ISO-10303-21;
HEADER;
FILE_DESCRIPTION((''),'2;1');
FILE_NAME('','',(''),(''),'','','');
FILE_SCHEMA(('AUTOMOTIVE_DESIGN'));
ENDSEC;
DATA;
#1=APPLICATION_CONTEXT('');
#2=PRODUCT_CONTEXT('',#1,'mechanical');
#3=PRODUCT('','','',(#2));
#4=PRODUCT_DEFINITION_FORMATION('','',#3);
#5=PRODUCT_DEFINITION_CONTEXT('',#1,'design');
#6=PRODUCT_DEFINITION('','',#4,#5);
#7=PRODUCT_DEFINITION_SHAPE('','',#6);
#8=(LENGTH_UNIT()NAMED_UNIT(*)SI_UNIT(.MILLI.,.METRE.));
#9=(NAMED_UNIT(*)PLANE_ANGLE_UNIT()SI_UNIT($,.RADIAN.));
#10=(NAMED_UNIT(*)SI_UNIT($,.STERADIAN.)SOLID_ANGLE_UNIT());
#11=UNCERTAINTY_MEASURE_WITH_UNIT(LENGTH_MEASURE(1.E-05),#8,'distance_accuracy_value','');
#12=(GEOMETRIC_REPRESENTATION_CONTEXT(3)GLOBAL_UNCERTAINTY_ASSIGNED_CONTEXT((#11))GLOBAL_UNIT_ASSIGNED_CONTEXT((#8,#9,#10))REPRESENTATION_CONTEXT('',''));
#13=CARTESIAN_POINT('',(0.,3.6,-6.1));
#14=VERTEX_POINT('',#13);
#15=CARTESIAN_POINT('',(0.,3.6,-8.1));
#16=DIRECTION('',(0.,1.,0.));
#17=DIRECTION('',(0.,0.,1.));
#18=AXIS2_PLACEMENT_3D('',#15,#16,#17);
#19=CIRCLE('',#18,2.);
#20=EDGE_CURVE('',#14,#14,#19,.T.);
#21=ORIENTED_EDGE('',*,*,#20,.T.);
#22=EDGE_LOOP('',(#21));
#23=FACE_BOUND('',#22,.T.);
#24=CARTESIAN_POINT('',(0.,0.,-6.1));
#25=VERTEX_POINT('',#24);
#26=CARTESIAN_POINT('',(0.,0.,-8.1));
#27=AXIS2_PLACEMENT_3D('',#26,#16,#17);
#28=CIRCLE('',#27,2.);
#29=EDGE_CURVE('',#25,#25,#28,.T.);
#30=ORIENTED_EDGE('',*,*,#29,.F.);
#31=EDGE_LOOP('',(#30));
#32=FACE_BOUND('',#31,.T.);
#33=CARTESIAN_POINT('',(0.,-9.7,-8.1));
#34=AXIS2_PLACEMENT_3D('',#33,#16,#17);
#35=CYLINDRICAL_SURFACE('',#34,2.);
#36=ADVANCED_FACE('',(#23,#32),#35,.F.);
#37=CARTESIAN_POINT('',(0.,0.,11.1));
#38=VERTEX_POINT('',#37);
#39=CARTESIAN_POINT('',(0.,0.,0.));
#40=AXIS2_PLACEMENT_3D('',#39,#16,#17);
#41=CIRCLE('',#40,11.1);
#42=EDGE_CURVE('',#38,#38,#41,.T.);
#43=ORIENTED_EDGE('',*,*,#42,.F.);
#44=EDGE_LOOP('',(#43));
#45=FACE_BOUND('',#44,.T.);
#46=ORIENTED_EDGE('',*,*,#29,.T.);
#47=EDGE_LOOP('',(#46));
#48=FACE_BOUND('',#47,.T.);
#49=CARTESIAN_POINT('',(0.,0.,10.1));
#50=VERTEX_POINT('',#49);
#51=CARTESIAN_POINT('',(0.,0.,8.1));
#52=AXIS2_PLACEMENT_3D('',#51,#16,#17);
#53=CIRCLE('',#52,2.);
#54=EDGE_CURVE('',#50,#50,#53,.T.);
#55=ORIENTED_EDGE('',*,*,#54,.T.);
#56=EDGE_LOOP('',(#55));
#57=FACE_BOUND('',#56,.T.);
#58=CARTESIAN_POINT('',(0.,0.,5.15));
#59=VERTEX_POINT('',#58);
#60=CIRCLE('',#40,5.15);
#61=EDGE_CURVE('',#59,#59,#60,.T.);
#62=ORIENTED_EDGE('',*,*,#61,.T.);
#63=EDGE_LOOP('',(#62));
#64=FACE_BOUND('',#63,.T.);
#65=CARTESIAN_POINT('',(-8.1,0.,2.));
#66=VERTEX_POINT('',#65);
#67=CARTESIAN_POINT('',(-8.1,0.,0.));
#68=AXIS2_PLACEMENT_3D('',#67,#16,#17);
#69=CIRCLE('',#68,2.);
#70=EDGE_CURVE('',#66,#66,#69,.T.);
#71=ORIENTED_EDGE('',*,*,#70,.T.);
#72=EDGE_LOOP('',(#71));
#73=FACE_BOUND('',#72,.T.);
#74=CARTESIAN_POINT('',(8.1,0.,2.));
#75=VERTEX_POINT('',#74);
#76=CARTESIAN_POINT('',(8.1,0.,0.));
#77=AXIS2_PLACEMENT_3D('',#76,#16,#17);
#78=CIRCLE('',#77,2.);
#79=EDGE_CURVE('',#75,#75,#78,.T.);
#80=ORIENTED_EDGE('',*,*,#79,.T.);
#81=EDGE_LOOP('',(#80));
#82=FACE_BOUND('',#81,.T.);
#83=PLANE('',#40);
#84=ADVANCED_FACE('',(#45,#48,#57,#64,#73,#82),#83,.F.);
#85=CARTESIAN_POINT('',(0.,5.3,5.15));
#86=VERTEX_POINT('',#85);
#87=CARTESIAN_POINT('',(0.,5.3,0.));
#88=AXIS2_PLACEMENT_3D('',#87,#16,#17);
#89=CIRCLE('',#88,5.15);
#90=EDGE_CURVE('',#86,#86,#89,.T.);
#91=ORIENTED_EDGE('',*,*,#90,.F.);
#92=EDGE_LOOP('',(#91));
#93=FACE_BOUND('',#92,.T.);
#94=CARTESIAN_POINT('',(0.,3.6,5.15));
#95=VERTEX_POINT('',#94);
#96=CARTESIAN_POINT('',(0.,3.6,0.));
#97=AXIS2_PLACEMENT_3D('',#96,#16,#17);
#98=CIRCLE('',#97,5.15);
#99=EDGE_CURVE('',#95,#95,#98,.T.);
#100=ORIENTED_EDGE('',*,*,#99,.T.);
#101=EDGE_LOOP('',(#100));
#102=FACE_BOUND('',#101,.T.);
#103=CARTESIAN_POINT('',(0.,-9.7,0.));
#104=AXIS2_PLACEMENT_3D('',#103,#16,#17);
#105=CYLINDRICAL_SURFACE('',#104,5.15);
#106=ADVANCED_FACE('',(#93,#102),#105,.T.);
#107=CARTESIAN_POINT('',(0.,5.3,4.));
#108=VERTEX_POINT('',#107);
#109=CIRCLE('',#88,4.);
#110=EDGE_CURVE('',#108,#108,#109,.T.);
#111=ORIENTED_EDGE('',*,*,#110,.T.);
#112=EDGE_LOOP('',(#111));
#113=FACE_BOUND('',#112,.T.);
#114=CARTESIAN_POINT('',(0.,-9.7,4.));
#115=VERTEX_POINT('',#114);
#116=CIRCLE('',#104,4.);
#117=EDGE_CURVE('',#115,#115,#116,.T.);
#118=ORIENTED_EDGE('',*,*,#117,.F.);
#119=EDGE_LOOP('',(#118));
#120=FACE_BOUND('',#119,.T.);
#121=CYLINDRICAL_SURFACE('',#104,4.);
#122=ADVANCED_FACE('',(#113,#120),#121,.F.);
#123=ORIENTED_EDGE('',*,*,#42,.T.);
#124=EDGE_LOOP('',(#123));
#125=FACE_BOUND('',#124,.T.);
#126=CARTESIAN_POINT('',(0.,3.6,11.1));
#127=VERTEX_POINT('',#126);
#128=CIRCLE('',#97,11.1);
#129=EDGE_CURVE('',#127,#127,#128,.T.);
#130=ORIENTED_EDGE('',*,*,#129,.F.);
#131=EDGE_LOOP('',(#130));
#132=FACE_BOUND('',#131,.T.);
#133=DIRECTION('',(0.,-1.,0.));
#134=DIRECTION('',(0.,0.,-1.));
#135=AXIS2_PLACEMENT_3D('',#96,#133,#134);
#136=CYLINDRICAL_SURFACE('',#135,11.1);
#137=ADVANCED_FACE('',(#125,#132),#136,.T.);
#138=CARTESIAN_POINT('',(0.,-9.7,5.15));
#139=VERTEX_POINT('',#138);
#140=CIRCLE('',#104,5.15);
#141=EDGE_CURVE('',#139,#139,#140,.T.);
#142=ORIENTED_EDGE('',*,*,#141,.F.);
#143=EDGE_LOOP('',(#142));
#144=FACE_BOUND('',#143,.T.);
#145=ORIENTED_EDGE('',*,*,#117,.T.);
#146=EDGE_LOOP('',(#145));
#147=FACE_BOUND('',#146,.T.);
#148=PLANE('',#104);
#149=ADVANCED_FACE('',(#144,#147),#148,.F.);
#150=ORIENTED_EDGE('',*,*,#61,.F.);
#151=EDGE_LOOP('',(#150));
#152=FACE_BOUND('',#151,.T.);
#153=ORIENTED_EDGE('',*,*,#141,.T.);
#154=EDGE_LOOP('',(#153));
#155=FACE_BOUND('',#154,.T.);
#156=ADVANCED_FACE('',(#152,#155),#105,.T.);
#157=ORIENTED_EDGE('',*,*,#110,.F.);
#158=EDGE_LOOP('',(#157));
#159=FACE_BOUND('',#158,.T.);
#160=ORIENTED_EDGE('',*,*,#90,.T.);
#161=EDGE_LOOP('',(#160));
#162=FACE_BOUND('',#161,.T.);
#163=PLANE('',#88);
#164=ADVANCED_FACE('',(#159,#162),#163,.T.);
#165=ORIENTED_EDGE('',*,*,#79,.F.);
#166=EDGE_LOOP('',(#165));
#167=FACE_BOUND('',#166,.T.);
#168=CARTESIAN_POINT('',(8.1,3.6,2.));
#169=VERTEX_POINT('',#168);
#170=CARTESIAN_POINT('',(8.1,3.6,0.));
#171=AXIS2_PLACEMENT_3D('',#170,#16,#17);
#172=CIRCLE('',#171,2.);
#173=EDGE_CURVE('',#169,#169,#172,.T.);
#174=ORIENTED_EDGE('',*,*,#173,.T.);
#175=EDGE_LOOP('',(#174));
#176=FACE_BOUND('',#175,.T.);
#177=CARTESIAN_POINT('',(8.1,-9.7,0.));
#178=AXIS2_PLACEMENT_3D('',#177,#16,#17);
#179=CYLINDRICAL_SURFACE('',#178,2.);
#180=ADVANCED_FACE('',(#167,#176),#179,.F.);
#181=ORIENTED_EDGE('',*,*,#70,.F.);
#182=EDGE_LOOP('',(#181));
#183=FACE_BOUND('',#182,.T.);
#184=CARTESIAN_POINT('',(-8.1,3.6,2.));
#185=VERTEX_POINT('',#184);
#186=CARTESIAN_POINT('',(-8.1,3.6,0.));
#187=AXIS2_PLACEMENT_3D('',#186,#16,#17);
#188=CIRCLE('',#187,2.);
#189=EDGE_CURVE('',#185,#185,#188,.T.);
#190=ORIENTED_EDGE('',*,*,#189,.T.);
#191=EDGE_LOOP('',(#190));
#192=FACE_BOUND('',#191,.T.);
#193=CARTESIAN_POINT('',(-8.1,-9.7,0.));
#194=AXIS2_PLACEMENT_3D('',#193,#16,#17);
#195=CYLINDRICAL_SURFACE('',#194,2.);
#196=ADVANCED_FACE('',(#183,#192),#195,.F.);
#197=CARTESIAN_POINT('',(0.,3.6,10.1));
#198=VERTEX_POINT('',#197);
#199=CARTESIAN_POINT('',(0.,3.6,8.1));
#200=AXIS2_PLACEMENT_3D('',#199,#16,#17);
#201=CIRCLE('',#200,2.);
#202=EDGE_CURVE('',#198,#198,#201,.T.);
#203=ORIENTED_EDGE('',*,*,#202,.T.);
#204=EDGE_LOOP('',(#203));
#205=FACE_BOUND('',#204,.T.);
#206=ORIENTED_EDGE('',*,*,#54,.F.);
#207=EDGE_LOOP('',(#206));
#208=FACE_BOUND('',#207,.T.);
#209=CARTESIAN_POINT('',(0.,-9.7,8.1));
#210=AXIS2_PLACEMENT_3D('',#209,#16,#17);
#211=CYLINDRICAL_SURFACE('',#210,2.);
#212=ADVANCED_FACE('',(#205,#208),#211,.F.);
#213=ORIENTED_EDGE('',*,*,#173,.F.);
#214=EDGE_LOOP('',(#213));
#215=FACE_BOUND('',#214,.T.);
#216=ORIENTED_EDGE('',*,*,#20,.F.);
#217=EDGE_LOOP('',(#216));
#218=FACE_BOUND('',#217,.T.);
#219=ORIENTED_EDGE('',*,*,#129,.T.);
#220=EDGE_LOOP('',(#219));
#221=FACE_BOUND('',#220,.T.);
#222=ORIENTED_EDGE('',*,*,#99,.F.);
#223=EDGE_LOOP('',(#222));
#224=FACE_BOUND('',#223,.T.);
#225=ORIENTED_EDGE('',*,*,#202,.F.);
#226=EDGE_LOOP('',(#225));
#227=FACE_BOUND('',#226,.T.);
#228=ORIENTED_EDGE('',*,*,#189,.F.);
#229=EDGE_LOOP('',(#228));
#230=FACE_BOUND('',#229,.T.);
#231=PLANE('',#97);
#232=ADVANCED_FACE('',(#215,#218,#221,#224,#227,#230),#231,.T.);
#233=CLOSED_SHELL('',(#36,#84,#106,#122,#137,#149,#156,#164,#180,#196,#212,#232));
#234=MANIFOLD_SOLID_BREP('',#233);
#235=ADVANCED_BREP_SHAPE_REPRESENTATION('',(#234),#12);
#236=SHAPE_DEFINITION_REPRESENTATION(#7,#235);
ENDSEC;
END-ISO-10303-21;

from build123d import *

# Parameters (mm, degrees)
SKETCH1_R                = 11.1
BOSS_EXTRUDE1_DEPTH      = 3.6
BOSS_EXTRUDE2_DEPTH      = 1.7
BOSS_EXTRUDE2_DEPTH_BACK = 13.3
SKETCH2_R                = 5.15
SKETCH3_R                = 4
SKETCH3_R_2              = 2
CUT_EXTRUDE1_DEPTH       = 22.712208547


with BuildPart() as part:
    # Sketch1 → Boss-Extrude1 (new body)
    with BuildSketch(Plane(origin=(0, 0, 0), x_dir=(1, 0, 0), z_dir=(0, 1, 0))):
        with Locations(Location((0, 0, 0), (0, 0, 270))):
            Circle(SKETCH1_R)
    extrude(amount=BOSS_EXTRUDE1_DEPTH)

    # Sketch2 → Boss-Extrude2 (add, two sides: drawn at the far end of the back side and taken through both)
    with BuildSketch(Plane(origin=(0, 3.6, 0), x_dir=(1, 0, 0), z_dir=(0, 1, 0)).offset(-BOSS_EXTRUDE2_DEPTH_BACK)):
        with Locations(Location((0, 0, 0), (0, 0, 270))):
            Circle(SKETCH2_R)
    extrude(amount=BOSS_EXTRUDE2_DEPTH + BOSS_EXTRUDE2_DEPTH_BACK)

    # Sketch3 → Cut-Extrude1 (cut, through all)
    with BuildSketch(Plane(origin=(0, 5.3, 0), x_dir=(1, 0, 0), z_dir=(0, 1, 0))):
        with Locations(Location((0, 0, 0), (0, 0, 270))):
            Circle(SKETCH3_R)
        with Locations(Location((-8.1, 0, 0), (0, 0, 270))):
            Circle(SKETCH3_R_2)
        with Locations(Location((8.1, 0, 0), (0, 0, 270))):
            Circle(SKETCH3_R_2)
        with Locations(Location((0, 8.1, 0), (0, 0, 270))):
            Circle(SKETCH3_R_2)
        with Locations(Location((0, -8.1, 0), (0, 0, 270))):
            Circle(SKETCH3_R_2)
    extrude(amount=-CUT_EXTRUDE1_DEPTH, mode=Mode.SUBTRACT)


solid = part.part
